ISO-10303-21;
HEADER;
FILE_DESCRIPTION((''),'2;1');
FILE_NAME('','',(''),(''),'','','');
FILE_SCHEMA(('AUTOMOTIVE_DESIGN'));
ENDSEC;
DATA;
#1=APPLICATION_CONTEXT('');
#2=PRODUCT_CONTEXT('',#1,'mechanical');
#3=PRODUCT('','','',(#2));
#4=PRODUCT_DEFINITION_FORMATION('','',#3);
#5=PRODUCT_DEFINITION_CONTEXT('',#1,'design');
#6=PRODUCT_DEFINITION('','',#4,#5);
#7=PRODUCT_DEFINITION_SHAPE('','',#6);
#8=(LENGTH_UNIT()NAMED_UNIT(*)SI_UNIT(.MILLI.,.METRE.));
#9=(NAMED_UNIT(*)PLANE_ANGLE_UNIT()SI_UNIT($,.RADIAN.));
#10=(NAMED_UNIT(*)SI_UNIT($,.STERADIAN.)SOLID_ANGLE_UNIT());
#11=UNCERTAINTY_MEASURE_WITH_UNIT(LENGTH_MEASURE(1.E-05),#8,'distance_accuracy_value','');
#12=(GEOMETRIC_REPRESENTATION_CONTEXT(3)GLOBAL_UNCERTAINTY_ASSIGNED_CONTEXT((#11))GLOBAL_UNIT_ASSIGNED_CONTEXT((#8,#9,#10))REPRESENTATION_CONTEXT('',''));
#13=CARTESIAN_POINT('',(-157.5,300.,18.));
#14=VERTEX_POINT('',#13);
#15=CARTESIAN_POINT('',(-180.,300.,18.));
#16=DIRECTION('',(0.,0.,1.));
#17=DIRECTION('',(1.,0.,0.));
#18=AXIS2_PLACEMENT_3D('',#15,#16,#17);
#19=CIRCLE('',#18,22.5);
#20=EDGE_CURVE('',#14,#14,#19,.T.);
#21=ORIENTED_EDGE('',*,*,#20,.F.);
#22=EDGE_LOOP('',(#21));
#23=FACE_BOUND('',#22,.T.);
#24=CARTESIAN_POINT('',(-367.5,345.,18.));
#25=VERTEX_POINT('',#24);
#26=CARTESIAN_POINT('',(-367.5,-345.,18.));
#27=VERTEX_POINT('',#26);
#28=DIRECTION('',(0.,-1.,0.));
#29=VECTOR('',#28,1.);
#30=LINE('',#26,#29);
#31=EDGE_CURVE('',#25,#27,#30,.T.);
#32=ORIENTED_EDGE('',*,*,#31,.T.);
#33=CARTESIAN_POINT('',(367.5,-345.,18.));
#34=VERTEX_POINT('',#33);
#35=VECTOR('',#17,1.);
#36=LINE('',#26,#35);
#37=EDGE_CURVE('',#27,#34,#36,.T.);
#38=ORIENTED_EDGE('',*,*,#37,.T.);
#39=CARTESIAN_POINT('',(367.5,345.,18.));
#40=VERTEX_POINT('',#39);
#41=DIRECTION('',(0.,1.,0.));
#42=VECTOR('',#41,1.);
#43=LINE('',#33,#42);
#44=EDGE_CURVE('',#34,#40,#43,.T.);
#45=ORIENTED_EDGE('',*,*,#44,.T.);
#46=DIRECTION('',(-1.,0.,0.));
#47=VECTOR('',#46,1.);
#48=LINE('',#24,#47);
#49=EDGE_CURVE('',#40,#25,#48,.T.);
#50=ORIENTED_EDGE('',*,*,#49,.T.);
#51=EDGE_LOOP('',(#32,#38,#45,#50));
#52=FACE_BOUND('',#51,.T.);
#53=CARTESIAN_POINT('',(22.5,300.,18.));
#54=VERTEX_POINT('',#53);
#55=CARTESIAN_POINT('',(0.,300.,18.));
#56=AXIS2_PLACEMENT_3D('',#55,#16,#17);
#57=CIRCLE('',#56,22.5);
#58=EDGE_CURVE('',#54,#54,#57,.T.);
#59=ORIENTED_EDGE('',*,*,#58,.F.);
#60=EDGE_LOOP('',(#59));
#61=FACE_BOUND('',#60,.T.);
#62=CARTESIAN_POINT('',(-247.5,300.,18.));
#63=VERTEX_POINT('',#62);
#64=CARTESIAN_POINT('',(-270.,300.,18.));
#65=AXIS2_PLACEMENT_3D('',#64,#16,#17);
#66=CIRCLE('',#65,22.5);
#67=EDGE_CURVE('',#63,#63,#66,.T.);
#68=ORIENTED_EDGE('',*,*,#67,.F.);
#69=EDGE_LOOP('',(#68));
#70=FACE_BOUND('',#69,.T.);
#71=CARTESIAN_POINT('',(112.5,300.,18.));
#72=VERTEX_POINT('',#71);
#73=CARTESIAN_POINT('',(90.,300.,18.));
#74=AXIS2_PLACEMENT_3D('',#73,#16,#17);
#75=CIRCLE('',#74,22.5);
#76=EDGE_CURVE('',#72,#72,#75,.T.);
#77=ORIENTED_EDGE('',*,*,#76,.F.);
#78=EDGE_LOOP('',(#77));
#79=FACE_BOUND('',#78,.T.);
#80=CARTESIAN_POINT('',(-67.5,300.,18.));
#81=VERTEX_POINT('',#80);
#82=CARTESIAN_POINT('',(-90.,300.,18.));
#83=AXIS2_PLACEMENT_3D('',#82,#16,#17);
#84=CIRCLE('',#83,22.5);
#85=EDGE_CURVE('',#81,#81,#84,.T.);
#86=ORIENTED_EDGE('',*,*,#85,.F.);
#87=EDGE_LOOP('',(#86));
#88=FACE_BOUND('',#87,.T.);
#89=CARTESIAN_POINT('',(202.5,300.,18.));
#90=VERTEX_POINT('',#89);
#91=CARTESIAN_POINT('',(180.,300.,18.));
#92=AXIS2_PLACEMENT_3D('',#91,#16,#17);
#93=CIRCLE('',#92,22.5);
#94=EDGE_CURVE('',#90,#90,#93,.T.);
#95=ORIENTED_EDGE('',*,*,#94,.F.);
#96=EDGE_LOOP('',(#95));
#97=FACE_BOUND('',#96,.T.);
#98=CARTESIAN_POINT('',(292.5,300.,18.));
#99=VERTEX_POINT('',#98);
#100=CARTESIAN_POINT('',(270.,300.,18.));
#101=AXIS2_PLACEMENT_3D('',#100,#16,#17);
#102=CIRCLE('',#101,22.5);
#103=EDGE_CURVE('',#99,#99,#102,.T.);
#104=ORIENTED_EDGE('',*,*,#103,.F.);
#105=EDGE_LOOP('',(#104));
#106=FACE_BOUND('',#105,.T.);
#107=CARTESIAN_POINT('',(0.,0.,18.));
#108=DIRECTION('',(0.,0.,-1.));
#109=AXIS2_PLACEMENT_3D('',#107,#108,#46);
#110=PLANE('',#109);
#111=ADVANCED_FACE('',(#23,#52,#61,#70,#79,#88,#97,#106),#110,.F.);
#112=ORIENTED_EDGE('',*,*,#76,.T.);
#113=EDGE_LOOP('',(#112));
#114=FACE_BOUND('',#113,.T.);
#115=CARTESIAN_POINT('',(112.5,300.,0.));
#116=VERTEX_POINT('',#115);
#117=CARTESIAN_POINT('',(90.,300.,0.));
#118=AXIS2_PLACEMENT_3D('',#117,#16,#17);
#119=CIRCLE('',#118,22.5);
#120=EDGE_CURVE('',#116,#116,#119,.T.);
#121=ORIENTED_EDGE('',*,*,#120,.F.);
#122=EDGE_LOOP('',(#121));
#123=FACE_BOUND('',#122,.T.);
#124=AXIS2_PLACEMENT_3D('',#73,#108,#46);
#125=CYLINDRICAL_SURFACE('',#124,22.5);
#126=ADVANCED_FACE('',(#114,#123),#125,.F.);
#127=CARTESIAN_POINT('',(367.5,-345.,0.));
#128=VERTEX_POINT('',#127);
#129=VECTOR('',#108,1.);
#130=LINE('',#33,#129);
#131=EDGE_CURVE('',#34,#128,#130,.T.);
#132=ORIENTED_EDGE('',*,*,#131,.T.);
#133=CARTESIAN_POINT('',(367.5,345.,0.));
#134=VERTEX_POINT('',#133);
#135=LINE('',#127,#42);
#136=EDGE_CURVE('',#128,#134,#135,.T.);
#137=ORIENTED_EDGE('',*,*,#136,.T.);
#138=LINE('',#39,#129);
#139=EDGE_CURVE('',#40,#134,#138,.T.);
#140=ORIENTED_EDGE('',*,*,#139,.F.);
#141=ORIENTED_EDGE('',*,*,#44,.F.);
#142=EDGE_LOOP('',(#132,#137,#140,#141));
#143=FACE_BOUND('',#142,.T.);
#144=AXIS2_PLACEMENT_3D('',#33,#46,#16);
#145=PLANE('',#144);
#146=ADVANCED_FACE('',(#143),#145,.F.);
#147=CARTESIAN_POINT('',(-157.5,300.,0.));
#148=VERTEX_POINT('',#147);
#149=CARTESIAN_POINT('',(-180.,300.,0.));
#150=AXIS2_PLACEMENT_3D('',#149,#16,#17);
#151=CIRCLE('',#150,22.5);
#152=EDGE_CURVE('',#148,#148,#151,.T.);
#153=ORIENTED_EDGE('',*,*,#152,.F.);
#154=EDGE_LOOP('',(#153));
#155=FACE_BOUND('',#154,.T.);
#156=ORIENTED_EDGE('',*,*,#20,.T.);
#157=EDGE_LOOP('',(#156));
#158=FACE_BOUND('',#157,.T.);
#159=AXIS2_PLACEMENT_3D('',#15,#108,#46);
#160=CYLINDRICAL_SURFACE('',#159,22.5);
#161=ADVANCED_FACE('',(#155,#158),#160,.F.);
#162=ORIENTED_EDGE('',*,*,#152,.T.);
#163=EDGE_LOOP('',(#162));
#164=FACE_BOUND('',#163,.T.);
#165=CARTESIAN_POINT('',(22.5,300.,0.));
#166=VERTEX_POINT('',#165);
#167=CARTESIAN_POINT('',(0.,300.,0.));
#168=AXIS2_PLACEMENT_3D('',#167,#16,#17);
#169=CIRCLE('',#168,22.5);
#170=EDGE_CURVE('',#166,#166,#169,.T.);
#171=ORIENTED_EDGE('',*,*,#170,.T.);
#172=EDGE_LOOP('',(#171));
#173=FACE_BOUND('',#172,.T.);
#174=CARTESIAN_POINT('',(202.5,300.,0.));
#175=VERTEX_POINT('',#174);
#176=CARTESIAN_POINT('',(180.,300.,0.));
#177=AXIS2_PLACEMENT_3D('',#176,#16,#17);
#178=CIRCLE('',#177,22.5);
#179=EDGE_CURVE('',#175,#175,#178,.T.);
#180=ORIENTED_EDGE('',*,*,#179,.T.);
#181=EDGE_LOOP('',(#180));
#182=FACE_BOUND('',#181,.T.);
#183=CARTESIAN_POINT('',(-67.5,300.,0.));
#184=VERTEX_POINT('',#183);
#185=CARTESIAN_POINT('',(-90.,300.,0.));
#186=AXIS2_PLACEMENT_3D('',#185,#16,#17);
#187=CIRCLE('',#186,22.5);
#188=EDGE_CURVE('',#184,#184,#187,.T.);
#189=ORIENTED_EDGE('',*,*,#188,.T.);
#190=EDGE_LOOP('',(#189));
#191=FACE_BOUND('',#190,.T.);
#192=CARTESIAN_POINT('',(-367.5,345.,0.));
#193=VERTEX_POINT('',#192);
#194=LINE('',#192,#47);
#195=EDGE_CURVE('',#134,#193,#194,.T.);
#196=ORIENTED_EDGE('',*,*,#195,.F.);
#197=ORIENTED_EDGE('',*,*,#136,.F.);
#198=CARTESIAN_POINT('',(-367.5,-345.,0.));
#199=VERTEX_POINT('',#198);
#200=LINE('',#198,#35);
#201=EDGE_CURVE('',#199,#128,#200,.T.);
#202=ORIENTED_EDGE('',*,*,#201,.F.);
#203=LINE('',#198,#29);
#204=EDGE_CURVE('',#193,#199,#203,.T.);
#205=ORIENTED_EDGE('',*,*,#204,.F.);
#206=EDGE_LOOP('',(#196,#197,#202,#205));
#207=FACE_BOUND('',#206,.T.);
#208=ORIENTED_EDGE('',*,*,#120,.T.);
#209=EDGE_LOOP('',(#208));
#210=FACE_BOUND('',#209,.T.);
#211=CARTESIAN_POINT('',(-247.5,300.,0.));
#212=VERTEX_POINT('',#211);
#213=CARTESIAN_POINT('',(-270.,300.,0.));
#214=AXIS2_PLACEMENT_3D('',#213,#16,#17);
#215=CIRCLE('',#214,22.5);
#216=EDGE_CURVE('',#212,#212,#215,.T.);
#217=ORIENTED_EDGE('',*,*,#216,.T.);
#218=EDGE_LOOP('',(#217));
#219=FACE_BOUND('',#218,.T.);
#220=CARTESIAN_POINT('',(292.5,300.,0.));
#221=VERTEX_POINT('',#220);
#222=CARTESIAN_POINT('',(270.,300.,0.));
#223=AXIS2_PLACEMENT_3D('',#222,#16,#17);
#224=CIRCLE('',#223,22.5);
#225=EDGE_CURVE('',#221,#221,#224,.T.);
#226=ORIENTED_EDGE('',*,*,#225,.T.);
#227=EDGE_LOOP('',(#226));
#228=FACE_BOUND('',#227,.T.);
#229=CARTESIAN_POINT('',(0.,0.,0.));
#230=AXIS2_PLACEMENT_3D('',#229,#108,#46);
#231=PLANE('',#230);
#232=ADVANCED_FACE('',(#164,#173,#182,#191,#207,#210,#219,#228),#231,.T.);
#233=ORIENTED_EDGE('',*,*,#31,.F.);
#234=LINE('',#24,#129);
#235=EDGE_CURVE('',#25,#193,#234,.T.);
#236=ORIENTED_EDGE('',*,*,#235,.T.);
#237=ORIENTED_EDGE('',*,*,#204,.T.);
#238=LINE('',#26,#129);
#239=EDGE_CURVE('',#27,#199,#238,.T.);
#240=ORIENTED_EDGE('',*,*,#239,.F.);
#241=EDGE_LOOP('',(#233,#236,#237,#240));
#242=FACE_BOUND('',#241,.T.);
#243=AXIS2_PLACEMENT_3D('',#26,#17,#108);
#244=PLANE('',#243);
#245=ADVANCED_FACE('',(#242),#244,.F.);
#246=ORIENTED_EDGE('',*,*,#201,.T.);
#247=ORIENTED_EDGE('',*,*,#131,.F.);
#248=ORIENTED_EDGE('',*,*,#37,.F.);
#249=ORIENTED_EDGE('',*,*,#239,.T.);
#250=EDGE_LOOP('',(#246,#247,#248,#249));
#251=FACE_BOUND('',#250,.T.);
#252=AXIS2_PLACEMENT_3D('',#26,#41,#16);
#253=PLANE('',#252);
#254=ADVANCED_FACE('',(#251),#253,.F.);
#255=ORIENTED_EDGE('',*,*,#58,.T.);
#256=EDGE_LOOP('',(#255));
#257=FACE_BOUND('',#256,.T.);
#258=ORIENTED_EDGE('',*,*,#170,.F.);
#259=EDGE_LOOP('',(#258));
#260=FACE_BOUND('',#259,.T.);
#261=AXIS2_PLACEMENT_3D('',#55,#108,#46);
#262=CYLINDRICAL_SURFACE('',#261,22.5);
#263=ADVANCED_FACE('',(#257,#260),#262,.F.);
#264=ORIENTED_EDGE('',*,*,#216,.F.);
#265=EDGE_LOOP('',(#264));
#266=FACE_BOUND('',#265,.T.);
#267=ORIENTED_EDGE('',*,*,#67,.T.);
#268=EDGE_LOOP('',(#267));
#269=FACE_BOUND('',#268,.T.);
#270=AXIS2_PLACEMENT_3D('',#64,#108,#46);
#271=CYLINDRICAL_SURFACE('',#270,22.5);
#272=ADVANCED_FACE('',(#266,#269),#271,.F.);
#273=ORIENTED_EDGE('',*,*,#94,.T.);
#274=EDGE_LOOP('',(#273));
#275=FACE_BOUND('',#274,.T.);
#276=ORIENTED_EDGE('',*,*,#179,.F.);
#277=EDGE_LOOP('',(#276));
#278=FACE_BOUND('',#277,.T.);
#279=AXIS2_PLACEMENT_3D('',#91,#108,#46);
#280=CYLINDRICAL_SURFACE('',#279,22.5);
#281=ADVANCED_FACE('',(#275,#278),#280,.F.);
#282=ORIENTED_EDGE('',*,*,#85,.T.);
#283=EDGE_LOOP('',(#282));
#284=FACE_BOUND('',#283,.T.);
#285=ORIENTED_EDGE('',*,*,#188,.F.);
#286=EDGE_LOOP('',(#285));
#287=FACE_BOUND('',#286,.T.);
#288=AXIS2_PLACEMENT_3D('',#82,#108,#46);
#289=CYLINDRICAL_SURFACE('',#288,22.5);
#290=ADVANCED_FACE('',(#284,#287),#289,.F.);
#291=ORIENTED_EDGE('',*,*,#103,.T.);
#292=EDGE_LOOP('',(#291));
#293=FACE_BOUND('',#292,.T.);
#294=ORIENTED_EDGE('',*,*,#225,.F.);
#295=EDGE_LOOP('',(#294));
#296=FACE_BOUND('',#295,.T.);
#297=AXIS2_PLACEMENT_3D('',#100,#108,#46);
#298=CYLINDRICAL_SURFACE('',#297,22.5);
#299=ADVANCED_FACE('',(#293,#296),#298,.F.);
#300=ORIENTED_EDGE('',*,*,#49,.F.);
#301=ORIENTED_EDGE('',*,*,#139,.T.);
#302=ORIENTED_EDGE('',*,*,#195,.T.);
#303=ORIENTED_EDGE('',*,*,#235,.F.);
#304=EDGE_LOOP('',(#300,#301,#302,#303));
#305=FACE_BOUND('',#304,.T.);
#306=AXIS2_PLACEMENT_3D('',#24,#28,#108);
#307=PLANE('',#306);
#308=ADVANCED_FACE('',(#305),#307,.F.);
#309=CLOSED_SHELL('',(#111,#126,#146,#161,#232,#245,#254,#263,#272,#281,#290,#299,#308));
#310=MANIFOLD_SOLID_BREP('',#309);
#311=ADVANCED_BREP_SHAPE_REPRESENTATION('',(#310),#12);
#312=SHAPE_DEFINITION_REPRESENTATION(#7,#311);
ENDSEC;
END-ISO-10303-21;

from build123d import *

# Parameters (mm, degrees)
SKETCH1_W           = 735
SKETCH1_H           = 690
SKETCH1_R           = 22.5
BOSS_EXTRUDE1_DEPTH = 18


with BuildPart() as part:
    # Sketch1 → Boss-Extrude1 (new body)
    with BuildSketch(Plane.XY):
        Rectangle(SKETCH1_W, SKETCH1_H)
        with Locations((0, 300)):
            Circle(SKETCH1_R, mode=Mode.SUBTRACT)
        with Locations((90, 300)):
            Circle(SKETCH1_R, mode=Mode.SUBTRACT)
        with Locations((180, 300)):
            Circle(SKETCH1_R, mode=Mode.SUBTRACT)
        with Locations((270, 300)):
            Circle(SKETCH1_R, mode=Mode.SUBTRACT)
        with Locations((-90, 300)):
            Circle(SKETCH1_R, mode=Mode.SUBTRACT)
        with Locations((-180, 300)):
            Circle(SKETCH1_R, mode=Mode.SUBTRACT)
        with Locations((-270, 300)):
            Circle(SKETCH1_R, mode=Mode.SUBTRACT)
    extrude(amount=BOSS_EXTRUDE1_DEPTH)


solid = part.part
